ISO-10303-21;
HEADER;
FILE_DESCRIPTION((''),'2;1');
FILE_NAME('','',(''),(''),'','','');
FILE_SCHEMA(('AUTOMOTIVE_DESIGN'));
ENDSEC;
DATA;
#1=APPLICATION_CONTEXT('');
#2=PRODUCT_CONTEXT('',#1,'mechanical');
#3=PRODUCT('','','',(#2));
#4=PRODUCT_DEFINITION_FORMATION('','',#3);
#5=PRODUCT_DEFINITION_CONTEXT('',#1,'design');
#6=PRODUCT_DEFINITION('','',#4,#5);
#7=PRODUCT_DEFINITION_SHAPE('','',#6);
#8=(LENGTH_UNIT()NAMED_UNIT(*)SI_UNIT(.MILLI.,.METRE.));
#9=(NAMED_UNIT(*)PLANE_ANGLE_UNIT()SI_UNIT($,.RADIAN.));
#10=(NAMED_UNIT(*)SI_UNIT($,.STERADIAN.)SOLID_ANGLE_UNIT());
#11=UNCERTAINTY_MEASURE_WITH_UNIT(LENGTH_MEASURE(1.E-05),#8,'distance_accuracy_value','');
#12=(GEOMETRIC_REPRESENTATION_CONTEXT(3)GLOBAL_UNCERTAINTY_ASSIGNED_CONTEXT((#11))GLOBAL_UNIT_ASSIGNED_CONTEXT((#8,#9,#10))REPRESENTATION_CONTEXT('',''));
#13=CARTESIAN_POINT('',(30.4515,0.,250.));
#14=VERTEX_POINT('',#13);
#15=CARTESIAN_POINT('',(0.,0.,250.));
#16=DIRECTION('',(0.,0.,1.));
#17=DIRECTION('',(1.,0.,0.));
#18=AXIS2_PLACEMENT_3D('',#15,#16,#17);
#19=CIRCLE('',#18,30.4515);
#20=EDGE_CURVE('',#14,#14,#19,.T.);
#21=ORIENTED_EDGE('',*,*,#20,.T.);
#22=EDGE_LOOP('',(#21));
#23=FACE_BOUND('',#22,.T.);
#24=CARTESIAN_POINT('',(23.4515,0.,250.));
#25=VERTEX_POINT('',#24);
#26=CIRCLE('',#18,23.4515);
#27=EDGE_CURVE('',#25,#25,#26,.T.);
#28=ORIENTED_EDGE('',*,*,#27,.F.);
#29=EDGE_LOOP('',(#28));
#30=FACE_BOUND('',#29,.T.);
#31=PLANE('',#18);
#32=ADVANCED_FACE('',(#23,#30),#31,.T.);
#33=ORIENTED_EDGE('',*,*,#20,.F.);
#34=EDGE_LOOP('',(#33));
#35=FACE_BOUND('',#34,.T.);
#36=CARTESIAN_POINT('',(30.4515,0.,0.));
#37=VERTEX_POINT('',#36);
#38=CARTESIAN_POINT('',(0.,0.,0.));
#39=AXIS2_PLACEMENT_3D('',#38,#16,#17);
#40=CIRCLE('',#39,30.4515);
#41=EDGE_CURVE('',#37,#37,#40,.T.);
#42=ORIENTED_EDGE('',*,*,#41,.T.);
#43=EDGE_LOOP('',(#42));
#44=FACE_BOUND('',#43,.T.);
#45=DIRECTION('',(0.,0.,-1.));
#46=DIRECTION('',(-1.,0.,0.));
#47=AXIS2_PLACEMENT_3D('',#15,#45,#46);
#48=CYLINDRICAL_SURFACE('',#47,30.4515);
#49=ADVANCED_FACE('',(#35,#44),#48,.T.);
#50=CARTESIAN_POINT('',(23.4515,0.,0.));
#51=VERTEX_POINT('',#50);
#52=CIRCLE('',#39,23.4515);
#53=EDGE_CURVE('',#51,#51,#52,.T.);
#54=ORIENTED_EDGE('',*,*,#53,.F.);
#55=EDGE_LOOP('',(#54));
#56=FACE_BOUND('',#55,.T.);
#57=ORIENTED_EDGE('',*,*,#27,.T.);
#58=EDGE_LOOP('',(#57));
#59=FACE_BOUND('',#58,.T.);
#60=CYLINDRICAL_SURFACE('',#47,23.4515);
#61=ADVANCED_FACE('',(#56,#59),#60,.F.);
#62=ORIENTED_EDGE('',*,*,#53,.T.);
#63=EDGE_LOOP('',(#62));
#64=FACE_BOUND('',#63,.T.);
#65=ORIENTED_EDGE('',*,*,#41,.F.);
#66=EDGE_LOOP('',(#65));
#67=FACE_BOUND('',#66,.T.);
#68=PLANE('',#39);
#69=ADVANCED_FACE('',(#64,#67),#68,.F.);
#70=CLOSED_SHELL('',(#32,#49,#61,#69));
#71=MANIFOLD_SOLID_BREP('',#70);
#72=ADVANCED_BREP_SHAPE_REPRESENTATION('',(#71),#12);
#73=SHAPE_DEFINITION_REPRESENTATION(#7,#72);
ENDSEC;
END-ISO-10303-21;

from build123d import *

# Parameters (mm, degrees)
SKETCH1_R           = 30.4515
SKETCH1_R_2         = 23.4515
BOSS_EXTRUDE1_DEPTH = 250


with BuildPart() as part:
    # Sketch1 → Boss-Extrude1 (new body)
    with BuildSketch(Plane.XY):
        Circle(SKETCH1_R)
        Circle(SKETCH1_R_2, mode=Mode.SUBTRACT)
    extrude(amount=BOSS_EXTRUDE1_DEPTH)


solid = part.part
